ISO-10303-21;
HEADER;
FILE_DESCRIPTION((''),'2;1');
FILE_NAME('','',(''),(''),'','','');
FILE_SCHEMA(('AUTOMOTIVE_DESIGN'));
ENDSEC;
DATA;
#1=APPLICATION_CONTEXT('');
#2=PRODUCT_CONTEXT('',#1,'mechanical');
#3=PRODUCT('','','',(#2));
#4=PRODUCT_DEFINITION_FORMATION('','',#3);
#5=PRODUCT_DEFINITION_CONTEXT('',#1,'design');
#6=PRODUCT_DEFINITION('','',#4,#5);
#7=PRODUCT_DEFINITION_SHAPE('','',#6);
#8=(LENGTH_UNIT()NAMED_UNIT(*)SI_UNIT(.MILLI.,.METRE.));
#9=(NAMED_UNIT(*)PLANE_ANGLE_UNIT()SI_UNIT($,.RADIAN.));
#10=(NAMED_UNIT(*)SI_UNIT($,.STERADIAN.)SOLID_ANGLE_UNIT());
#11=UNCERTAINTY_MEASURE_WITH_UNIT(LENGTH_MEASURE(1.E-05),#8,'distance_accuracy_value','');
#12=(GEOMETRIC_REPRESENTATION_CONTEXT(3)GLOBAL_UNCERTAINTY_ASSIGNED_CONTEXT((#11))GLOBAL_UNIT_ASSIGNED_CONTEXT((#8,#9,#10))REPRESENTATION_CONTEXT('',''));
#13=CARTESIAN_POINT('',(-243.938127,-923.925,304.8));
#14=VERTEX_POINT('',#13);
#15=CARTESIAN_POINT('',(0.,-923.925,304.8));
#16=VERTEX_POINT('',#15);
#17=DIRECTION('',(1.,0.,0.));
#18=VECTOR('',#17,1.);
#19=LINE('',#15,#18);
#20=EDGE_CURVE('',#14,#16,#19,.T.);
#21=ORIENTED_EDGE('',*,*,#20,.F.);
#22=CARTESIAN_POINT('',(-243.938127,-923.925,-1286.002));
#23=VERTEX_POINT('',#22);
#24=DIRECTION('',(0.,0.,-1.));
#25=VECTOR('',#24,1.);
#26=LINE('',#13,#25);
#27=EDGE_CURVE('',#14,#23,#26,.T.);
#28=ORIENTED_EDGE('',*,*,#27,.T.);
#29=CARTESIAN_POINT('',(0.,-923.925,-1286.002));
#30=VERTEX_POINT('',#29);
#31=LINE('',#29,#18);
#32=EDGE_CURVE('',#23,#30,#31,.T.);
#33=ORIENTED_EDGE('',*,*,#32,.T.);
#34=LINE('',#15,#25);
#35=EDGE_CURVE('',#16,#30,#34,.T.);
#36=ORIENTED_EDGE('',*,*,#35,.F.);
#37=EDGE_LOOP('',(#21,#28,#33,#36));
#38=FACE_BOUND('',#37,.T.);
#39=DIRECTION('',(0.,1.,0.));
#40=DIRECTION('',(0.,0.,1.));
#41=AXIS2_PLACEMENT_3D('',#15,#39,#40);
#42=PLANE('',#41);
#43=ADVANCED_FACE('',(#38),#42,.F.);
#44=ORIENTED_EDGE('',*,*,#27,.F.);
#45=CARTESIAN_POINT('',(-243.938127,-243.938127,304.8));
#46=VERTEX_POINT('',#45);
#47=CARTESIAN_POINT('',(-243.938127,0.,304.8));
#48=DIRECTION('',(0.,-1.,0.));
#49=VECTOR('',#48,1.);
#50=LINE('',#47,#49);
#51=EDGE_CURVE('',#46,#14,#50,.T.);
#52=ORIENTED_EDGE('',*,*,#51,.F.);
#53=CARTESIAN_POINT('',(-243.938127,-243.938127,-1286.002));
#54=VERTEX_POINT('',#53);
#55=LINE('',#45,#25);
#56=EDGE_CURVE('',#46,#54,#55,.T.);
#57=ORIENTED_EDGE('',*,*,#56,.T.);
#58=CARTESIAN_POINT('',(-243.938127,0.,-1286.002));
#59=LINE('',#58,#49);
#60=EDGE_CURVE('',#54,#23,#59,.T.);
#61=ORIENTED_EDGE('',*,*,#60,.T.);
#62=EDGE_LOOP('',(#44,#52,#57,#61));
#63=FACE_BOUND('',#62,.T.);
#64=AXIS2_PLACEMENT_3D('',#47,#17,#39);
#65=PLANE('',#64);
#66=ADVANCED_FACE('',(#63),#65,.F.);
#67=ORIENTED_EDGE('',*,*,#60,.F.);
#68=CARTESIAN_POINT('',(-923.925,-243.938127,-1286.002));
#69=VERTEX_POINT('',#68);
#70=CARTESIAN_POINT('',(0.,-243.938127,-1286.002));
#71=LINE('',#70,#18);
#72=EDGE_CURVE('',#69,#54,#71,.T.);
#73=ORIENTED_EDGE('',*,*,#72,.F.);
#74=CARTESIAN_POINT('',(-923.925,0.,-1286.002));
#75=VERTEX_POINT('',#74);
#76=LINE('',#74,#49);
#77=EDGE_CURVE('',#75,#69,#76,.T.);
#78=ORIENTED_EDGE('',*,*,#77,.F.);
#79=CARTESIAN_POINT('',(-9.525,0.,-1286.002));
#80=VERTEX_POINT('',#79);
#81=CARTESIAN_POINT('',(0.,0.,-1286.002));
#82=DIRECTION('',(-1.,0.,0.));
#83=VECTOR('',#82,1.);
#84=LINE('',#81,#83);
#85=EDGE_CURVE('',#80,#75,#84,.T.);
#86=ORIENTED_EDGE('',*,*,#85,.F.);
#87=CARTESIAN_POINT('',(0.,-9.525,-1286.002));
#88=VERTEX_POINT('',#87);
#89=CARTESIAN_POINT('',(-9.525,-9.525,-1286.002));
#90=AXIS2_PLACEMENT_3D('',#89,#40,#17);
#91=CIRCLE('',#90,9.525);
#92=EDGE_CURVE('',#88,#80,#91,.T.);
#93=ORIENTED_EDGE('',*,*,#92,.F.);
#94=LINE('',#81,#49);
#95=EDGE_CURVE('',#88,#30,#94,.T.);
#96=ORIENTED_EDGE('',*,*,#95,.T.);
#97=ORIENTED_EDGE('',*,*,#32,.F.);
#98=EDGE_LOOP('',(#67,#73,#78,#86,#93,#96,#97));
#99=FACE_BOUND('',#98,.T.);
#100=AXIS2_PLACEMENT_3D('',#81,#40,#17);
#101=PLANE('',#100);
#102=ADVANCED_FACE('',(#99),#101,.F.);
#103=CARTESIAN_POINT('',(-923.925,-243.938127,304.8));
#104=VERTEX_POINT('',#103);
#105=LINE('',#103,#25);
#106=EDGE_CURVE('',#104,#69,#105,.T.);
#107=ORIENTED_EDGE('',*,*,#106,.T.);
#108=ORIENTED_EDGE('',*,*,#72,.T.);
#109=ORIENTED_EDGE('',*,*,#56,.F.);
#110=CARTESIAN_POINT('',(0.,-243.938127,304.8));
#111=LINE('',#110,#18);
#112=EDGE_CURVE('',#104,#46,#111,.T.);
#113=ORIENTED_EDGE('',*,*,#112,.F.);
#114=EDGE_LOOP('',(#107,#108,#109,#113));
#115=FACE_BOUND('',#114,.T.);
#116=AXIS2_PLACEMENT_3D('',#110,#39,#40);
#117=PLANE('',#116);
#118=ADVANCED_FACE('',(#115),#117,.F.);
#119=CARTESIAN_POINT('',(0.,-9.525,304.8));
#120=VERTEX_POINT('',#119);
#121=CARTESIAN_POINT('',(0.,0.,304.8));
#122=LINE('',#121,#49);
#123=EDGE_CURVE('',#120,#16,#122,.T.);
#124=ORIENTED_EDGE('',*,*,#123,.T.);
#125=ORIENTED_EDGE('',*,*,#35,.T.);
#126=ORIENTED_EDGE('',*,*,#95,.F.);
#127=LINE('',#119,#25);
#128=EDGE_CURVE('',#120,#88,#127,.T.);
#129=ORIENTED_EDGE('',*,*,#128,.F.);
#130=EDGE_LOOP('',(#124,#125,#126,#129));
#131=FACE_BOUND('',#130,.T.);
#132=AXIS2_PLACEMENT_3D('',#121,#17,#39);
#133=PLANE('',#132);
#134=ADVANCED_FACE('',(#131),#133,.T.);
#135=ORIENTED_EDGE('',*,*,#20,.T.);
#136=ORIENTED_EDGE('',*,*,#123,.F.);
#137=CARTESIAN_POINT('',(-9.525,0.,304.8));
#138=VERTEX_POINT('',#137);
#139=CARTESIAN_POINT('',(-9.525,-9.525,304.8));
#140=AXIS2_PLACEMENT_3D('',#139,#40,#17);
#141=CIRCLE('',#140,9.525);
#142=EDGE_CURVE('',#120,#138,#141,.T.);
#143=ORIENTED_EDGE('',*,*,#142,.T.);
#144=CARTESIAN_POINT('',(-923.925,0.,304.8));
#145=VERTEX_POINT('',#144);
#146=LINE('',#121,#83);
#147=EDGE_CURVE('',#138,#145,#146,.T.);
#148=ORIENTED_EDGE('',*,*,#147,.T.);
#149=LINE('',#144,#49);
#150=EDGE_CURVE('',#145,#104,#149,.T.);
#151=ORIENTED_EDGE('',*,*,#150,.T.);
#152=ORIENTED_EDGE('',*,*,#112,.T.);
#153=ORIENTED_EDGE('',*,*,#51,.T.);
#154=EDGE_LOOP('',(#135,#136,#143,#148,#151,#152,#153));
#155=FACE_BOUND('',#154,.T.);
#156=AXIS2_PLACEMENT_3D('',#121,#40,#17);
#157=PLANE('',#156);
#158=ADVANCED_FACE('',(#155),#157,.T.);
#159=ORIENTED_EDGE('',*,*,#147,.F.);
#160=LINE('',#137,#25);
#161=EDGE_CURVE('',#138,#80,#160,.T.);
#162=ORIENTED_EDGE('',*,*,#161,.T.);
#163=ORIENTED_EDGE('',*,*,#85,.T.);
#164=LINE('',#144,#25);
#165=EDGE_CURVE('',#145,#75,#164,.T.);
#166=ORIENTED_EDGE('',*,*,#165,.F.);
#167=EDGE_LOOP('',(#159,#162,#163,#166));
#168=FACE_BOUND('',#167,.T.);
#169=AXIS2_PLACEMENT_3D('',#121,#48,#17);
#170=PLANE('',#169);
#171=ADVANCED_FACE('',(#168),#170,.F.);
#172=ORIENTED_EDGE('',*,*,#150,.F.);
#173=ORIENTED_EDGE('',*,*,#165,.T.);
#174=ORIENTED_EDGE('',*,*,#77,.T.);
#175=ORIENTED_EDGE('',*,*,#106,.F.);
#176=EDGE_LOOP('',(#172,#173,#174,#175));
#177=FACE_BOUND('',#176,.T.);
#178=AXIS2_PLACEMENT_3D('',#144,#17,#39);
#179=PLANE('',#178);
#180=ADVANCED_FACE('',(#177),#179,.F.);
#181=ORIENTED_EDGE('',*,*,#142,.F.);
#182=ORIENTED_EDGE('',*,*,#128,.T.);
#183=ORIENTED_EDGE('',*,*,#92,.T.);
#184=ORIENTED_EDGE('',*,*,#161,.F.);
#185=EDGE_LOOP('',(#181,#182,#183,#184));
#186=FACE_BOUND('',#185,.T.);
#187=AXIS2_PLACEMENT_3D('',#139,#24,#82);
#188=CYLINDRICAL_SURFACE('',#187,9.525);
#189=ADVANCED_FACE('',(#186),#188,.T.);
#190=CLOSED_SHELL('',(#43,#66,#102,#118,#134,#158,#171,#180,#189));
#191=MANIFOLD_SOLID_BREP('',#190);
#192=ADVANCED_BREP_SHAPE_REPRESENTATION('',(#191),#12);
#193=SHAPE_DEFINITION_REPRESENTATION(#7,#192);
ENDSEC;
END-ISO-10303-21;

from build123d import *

# Parameters (mm, degrees)
BOSS_EXTRUDE2_DEPTH      = 304.8
BOSS_EXTRUDE2_DEPTH_BACK = 1286.002


with BuildPart() as part:
    # Sketch1 → Boss-Extrude2 (new, two sides: drawn at the far end of the back side and taken through both)
    with BuildSketch(Plane.XY.offset(-BOSS_EXTRUDE2_DEPTH_BACK)):
        with BuildLine():
            Line((0, -9.525), (0, -923.925))
            Line((0, -923.925), (-243.93812726, -923.925))
            Line((-243.93812726, -923.925), (-243.93812726, -243.93812726))
            Line((-243.93812726, -243.93812726), (-923.925, -243.93812726))
            Line((-923.925, -243.93812726), (-923.925, 0))
            Line((-923.925, 0), (-9.525, 0))
            ThreePointArc((-9.525, 0), (-2.789807909, -2.789807909), (0, -9.525))
        make_face()
    extrude(amount=BOSS_EXTRUDE2_DEPTH + BOSS_EXTRUDE2_DEPTH_BACK)


solid = part.part
